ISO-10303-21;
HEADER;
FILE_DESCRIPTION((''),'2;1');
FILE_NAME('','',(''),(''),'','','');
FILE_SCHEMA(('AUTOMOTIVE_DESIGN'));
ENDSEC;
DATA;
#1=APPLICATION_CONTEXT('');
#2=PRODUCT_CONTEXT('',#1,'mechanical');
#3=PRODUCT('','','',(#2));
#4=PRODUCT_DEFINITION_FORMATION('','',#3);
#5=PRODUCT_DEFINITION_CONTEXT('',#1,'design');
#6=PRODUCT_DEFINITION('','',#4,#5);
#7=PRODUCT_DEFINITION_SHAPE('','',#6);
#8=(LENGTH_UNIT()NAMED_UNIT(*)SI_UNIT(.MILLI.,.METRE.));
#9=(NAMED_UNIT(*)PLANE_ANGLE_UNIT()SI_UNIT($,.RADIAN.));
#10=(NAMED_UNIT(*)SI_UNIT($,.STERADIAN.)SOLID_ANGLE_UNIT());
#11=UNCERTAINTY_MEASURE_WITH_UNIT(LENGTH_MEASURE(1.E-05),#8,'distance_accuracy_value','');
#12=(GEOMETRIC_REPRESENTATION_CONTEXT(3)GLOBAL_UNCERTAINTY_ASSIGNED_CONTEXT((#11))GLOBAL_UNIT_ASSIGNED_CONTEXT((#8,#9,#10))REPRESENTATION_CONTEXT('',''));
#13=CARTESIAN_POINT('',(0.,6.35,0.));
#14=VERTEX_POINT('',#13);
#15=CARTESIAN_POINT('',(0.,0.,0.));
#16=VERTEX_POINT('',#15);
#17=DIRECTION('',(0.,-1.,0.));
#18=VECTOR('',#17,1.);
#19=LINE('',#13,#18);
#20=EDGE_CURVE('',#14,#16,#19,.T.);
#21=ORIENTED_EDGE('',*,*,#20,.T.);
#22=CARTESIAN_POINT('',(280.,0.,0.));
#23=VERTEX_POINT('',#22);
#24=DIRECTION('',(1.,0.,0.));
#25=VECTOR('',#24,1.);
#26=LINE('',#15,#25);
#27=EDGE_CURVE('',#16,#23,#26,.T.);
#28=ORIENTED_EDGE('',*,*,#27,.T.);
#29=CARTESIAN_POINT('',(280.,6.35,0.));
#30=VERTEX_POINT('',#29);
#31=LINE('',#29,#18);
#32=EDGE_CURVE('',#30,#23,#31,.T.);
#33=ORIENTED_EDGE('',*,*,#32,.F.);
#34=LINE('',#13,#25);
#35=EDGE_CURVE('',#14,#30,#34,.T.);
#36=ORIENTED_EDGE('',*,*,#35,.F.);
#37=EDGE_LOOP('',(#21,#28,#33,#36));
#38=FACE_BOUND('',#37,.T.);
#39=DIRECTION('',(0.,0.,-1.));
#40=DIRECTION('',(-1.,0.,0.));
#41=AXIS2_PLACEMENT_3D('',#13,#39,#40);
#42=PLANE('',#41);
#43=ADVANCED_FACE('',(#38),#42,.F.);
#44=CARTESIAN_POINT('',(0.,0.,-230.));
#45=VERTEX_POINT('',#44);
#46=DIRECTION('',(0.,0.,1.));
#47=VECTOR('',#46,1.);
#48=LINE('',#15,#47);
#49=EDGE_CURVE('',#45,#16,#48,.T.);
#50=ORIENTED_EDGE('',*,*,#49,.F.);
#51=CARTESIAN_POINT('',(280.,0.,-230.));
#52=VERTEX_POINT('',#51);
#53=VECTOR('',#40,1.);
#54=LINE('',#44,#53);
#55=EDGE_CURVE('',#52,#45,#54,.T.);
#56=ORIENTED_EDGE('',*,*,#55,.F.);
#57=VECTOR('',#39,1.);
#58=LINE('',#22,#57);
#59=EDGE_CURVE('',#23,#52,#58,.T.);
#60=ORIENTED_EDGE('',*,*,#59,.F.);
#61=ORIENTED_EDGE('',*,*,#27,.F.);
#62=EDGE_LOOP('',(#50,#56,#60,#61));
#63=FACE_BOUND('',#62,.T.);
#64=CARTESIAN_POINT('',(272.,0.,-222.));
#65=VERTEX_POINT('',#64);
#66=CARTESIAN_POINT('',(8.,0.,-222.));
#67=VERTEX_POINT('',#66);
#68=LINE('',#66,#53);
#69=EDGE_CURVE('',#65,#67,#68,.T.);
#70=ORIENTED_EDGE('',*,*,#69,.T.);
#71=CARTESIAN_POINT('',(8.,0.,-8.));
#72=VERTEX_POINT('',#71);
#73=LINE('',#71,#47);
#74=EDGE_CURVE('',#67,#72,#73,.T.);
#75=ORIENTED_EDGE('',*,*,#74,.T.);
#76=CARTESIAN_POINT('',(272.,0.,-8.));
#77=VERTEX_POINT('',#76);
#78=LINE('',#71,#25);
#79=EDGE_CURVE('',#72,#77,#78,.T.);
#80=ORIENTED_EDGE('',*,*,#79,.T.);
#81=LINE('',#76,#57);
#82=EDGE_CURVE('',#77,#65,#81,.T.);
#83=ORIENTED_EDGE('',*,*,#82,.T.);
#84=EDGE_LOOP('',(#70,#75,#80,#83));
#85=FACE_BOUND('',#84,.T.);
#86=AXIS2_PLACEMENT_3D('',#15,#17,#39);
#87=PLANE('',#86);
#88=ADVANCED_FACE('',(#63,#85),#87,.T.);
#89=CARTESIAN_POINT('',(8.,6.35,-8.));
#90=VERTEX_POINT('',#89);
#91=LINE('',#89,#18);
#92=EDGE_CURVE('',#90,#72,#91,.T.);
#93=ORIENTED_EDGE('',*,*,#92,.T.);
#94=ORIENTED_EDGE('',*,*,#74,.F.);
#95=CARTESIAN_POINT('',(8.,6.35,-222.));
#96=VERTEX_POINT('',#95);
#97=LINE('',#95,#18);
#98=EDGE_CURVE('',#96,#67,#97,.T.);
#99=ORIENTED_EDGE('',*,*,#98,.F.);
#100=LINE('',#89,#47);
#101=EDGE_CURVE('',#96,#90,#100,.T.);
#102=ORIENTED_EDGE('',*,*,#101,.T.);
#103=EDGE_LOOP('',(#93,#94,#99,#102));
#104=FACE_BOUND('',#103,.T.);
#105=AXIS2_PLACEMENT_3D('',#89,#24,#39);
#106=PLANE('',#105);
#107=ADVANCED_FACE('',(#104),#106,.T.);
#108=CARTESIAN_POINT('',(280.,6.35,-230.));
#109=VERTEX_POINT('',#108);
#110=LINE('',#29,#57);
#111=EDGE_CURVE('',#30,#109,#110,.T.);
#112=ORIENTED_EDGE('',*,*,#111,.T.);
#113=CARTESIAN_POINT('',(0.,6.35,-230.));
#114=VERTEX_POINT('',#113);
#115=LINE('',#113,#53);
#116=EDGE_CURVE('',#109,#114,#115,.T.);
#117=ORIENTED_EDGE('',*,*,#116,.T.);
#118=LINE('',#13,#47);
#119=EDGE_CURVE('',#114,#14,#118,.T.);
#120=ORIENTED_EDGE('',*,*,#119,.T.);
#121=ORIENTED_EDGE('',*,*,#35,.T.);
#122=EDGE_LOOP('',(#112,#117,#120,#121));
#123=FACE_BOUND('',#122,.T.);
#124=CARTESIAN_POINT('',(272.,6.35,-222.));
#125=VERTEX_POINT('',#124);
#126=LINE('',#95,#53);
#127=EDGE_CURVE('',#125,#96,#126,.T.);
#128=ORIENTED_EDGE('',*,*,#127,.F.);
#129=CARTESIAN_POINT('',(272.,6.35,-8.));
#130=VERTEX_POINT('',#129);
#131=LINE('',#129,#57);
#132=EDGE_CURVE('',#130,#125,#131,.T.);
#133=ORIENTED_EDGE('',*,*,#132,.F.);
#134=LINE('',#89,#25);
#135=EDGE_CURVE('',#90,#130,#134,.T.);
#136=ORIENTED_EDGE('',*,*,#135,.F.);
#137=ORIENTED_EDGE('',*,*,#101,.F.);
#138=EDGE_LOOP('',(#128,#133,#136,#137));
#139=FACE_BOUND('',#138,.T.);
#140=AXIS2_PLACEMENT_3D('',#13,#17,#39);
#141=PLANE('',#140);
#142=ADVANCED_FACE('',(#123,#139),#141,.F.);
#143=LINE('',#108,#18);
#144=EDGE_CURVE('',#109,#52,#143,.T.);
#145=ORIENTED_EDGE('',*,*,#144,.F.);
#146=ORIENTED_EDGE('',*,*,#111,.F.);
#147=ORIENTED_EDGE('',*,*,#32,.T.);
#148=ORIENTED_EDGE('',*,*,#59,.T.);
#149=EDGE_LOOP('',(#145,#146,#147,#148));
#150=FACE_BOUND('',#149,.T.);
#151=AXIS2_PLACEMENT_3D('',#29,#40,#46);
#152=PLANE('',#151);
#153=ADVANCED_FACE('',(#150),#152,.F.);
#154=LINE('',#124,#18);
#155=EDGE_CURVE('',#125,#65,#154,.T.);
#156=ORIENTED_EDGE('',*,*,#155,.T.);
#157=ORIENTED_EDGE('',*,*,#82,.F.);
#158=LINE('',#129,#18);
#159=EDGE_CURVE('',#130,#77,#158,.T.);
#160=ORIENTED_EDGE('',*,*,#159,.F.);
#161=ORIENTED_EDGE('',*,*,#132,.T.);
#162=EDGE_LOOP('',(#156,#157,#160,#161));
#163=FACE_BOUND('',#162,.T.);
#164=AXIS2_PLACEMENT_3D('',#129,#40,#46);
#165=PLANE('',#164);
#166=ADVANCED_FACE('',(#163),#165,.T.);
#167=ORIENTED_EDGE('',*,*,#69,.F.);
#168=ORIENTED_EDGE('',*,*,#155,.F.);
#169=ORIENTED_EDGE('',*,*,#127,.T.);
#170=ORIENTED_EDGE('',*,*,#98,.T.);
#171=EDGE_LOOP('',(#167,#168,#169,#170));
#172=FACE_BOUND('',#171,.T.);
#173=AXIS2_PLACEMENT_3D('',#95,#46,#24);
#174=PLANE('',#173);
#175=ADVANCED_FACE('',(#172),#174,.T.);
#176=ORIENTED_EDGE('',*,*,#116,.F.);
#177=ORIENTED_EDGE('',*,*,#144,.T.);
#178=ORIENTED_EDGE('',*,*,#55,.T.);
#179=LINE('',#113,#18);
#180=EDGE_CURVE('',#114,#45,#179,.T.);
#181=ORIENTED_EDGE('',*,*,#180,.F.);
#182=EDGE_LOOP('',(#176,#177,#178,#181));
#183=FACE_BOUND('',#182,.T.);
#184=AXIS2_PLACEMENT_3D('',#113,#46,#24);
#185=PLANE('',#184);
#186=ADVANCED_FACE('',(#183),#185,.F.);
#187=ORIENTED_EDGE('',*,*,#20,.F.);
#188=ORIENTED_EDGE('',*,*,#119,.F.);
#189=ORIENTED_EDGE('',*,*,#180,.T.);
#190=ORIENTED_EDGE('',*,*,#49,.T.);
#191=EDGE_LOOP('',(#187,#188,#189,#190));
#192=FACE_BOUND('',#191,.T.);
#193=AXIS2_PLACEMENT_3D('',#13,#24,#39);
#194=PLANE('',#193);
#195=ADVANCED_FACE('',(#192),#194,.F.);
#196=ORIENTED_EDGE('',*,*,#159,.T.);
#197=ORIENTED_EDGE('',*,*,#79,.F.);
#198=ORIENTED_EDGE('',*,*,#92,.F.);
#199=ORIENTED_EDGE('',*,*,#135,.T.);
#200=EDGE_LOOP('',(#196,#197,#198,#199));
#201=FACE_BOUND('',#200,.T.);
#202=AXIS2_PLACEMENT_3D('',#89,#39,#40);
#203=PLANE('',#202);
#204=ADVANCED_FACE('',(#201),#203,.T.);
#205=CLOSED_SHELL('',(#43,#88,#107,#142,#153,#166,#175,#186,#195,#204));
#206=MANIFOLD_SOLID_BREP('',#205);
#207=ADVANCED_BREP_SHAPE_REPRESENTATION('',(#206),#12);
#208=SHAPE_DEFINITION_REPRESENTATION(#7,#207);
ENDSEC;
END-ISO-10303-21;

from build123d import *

# Parameters (mm, degrees)
SKETCH1_W           = 280
SKETCH1_H           = 230
SKETCH1_W_2         = 264
SKETCH1_H_2         = 214
BOSS_EXTRUDE1_DEPTH = 6.35


with BuildPart() as part:
    # Sketch1 → Boss-Extrude1 (new body)
    with BuildSketch(Plane(origin=(0, 0, 0), x_dir=(1, 0, 0), z_dir=(0, 1, 0))):
        with Locations((140, 115)):
            Rectangle(SKETCH1_W, SKETCH1_H)
        with Locations((140, 115)):
            Rectangle(SKETCH1_W_2, SKETCH1_H_2, mode=Mode.SUBTRACT)
    extrude(amount=BOSS_EXTRUDE1_DEPTH)


solid = part.part
